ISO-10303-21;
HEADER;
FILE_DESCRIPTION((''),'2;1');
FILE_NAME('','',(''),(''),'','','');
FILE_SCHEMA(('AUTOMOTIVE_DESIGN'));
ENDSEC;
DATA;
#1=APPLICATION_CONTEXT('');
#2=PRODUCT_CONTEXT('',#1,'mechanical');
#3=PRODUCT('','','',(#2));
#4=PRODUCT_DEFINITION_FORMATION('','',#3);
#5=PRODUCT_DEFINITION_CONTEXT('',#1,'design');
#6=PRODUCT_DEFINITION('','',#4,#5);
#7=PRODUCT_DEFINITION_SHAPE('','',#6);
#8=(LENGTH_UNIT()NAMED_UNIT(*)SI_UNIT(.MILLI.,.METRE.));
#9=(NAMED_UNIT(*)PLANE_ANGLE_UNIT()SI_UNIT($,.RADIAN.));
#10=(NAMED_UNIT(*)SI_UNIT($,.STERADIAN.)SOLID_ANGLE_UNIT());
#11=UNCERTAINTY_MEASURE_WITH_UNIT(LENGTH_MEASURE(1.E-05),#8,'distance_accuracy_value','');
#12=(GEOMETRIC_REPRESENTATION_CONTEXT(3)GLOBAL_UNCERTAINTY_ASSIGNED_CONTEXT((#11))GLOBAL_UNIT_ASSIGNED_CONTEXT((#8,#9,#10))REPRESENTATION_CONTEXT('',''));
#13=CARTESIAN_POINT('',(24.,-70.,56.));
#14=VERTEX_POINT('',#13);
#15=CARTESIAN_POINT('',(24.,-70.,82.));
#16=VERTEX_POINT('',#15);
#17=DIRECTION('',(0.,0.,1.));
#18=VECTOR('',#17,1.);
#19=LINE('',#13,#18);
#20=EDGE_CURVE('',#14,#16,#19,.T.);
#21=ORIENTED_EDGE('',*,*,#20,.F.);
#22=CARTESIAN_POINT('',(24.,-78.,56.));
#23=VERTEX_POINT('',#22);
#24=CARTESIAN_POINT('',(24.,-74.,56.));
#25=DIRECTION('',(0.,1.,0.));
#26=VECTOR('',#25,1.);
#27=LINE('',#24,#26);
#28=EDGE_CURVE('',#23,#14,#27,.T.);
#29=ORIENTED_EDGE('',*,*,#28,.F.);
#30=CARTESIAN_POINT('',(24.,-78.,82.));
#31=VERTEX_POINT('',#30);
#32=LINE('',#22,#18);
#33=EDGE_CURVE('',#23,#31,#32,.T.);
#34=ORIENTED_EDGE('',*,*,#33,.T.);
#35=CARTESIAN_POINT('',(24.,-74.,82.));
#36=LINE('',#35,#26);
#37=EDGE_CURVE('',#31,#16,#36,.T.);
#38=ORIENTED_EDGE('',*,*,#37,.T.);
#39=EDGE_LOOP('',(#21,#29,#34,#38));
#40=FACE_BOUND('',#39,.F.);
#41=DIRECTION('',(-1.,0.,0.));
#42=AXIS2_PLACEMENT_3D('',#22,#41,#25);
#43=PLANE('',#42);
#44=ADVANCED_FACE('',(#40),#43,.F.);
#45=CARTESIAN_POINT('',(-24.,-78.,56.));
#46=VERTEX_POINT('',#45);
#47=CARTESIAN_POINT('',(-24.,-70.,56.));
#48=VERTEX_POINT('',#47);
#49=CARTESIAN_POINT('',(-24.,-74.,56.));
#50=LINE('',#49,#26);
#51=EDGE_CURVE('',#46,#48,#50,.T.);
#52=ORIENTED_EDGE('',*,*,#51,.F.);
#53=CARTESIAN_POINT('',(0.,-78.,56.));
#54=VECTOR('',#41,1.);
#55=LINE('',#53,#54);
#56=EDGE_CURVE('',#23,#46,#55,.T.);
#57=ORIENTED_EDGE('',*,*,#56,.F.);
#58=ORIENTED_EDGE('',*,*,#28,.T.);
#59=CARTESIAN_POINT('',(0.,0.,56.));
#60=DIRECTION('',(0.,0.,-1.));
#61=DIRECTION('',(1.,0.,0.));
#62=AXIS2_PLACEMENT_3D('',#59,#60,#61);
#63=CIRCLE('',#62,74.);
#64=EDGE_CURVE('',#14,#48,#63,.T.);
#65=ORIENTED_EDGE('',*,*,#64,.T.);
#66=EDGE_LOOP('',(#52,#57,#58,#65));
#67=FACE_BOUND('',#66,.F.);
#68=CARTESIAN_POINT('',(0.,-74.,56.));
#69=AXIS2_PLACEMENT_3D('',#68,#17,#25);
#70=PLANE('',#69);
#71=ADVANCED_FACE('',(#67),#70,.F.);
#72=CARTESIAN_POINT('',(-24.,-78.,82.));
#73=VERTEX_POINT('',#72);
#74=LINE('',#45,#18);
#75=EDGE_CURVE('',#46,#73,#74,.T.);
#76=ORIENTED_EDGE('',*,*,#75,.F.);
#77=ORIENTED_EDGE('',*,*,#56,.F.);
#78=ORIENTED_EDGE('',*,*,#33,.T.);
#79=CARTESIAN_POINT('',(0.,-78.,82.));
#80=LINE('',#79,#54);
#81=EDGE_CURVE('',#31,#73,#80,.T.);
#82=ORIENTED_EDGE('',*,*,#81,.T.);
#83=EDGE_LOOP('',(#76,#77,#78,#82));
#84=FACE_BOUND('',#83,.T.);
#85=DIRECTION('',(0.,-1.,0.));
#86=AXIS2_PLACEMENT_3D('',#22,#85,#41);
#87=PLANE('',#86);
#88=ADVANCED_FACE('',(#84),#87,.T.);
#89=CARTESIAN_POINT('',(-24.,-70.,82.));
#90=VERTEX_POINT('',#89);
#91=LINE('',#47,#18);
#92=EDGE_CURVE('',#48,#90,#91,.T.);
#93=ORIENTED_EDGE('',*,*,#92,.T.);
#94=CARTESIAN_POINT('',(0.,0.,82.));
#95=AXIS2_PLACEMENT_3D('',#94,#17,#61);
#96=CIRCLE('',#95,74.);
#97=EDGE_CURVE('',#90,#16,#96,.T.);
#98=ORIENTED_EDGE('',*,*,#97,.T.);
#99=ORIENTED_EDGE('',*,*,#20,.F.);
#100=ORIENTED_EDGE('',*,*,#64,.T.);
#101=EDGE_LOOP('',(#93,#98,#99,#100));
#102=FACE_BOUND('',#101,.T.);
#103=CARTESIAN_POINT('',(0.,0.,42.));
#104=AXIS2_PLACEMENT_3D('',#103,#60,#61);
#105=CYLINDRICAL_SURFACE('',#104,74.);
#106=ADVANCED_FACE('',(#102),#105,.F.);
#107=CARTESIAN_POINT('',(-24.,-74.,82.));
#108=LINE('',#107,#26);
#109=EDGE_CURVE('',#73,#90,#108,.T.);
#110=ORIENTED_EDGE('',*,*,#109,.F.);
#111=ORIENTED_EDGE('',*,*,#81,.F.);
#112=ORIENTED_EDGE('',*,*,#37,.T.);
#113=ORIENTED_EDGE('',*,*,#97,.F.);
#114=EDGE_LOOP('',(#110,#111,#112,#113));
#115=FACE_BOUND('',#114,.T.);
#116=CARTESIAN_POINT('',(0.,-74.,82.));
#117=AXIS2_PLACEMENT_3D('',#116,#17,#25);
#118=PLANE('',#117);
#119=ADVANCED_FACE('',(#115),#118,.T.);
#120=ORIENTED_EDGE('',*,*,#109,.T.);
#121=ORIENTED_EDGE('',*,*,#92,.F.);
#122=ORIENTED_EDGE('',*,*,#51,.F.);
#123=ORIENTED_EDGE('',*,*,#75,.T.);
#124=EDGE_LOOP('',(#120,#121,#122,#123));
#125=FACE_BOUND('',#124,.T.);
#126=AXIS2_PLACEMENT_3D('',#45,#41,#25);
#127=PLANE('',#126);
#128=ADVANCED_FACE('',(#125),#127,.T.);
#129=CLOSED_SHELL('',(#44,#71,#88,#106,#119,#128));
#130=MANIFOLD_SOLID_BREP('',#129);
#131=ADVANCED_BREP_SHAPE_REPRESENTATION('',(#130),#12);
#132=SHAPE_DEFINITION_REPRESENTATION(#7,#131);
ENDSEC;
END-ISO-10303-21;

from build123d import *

# Parameters (mm, degrees)
CYLINDER970_R     = 74
CYLINDER970_DEPTH = 40
BOX481_W          = 8
BOX481_H          = 48
BOX481_DEPTH      = 26


with BuildPart() as v_lec970:
    # Cylinder970 → Cylinder970 (new body)
    with BuildSketch(Plane.XY.offset(42)):
        Circle(CYLINDER970_R)
    extrude(amount=CYLINDER970_DEPTH)


with BuildPart() as cut450:
    # Box481 → Box481 (new body)
    with BuildSketch(Plane(origin=(24, -78, 56), x_dir=(0, 1, 0), z_dir=(0, 0, 1))):
        with Locations((4, 24)):
            Rectangle(BOX481_W, BOX481_H)
    extrude(amount=BOX481_DEPTH)

    # Cut450: cut Válec970
    add(v_lec970.part, mode=Mode.SUBTRACT)


solid = cut450.part
